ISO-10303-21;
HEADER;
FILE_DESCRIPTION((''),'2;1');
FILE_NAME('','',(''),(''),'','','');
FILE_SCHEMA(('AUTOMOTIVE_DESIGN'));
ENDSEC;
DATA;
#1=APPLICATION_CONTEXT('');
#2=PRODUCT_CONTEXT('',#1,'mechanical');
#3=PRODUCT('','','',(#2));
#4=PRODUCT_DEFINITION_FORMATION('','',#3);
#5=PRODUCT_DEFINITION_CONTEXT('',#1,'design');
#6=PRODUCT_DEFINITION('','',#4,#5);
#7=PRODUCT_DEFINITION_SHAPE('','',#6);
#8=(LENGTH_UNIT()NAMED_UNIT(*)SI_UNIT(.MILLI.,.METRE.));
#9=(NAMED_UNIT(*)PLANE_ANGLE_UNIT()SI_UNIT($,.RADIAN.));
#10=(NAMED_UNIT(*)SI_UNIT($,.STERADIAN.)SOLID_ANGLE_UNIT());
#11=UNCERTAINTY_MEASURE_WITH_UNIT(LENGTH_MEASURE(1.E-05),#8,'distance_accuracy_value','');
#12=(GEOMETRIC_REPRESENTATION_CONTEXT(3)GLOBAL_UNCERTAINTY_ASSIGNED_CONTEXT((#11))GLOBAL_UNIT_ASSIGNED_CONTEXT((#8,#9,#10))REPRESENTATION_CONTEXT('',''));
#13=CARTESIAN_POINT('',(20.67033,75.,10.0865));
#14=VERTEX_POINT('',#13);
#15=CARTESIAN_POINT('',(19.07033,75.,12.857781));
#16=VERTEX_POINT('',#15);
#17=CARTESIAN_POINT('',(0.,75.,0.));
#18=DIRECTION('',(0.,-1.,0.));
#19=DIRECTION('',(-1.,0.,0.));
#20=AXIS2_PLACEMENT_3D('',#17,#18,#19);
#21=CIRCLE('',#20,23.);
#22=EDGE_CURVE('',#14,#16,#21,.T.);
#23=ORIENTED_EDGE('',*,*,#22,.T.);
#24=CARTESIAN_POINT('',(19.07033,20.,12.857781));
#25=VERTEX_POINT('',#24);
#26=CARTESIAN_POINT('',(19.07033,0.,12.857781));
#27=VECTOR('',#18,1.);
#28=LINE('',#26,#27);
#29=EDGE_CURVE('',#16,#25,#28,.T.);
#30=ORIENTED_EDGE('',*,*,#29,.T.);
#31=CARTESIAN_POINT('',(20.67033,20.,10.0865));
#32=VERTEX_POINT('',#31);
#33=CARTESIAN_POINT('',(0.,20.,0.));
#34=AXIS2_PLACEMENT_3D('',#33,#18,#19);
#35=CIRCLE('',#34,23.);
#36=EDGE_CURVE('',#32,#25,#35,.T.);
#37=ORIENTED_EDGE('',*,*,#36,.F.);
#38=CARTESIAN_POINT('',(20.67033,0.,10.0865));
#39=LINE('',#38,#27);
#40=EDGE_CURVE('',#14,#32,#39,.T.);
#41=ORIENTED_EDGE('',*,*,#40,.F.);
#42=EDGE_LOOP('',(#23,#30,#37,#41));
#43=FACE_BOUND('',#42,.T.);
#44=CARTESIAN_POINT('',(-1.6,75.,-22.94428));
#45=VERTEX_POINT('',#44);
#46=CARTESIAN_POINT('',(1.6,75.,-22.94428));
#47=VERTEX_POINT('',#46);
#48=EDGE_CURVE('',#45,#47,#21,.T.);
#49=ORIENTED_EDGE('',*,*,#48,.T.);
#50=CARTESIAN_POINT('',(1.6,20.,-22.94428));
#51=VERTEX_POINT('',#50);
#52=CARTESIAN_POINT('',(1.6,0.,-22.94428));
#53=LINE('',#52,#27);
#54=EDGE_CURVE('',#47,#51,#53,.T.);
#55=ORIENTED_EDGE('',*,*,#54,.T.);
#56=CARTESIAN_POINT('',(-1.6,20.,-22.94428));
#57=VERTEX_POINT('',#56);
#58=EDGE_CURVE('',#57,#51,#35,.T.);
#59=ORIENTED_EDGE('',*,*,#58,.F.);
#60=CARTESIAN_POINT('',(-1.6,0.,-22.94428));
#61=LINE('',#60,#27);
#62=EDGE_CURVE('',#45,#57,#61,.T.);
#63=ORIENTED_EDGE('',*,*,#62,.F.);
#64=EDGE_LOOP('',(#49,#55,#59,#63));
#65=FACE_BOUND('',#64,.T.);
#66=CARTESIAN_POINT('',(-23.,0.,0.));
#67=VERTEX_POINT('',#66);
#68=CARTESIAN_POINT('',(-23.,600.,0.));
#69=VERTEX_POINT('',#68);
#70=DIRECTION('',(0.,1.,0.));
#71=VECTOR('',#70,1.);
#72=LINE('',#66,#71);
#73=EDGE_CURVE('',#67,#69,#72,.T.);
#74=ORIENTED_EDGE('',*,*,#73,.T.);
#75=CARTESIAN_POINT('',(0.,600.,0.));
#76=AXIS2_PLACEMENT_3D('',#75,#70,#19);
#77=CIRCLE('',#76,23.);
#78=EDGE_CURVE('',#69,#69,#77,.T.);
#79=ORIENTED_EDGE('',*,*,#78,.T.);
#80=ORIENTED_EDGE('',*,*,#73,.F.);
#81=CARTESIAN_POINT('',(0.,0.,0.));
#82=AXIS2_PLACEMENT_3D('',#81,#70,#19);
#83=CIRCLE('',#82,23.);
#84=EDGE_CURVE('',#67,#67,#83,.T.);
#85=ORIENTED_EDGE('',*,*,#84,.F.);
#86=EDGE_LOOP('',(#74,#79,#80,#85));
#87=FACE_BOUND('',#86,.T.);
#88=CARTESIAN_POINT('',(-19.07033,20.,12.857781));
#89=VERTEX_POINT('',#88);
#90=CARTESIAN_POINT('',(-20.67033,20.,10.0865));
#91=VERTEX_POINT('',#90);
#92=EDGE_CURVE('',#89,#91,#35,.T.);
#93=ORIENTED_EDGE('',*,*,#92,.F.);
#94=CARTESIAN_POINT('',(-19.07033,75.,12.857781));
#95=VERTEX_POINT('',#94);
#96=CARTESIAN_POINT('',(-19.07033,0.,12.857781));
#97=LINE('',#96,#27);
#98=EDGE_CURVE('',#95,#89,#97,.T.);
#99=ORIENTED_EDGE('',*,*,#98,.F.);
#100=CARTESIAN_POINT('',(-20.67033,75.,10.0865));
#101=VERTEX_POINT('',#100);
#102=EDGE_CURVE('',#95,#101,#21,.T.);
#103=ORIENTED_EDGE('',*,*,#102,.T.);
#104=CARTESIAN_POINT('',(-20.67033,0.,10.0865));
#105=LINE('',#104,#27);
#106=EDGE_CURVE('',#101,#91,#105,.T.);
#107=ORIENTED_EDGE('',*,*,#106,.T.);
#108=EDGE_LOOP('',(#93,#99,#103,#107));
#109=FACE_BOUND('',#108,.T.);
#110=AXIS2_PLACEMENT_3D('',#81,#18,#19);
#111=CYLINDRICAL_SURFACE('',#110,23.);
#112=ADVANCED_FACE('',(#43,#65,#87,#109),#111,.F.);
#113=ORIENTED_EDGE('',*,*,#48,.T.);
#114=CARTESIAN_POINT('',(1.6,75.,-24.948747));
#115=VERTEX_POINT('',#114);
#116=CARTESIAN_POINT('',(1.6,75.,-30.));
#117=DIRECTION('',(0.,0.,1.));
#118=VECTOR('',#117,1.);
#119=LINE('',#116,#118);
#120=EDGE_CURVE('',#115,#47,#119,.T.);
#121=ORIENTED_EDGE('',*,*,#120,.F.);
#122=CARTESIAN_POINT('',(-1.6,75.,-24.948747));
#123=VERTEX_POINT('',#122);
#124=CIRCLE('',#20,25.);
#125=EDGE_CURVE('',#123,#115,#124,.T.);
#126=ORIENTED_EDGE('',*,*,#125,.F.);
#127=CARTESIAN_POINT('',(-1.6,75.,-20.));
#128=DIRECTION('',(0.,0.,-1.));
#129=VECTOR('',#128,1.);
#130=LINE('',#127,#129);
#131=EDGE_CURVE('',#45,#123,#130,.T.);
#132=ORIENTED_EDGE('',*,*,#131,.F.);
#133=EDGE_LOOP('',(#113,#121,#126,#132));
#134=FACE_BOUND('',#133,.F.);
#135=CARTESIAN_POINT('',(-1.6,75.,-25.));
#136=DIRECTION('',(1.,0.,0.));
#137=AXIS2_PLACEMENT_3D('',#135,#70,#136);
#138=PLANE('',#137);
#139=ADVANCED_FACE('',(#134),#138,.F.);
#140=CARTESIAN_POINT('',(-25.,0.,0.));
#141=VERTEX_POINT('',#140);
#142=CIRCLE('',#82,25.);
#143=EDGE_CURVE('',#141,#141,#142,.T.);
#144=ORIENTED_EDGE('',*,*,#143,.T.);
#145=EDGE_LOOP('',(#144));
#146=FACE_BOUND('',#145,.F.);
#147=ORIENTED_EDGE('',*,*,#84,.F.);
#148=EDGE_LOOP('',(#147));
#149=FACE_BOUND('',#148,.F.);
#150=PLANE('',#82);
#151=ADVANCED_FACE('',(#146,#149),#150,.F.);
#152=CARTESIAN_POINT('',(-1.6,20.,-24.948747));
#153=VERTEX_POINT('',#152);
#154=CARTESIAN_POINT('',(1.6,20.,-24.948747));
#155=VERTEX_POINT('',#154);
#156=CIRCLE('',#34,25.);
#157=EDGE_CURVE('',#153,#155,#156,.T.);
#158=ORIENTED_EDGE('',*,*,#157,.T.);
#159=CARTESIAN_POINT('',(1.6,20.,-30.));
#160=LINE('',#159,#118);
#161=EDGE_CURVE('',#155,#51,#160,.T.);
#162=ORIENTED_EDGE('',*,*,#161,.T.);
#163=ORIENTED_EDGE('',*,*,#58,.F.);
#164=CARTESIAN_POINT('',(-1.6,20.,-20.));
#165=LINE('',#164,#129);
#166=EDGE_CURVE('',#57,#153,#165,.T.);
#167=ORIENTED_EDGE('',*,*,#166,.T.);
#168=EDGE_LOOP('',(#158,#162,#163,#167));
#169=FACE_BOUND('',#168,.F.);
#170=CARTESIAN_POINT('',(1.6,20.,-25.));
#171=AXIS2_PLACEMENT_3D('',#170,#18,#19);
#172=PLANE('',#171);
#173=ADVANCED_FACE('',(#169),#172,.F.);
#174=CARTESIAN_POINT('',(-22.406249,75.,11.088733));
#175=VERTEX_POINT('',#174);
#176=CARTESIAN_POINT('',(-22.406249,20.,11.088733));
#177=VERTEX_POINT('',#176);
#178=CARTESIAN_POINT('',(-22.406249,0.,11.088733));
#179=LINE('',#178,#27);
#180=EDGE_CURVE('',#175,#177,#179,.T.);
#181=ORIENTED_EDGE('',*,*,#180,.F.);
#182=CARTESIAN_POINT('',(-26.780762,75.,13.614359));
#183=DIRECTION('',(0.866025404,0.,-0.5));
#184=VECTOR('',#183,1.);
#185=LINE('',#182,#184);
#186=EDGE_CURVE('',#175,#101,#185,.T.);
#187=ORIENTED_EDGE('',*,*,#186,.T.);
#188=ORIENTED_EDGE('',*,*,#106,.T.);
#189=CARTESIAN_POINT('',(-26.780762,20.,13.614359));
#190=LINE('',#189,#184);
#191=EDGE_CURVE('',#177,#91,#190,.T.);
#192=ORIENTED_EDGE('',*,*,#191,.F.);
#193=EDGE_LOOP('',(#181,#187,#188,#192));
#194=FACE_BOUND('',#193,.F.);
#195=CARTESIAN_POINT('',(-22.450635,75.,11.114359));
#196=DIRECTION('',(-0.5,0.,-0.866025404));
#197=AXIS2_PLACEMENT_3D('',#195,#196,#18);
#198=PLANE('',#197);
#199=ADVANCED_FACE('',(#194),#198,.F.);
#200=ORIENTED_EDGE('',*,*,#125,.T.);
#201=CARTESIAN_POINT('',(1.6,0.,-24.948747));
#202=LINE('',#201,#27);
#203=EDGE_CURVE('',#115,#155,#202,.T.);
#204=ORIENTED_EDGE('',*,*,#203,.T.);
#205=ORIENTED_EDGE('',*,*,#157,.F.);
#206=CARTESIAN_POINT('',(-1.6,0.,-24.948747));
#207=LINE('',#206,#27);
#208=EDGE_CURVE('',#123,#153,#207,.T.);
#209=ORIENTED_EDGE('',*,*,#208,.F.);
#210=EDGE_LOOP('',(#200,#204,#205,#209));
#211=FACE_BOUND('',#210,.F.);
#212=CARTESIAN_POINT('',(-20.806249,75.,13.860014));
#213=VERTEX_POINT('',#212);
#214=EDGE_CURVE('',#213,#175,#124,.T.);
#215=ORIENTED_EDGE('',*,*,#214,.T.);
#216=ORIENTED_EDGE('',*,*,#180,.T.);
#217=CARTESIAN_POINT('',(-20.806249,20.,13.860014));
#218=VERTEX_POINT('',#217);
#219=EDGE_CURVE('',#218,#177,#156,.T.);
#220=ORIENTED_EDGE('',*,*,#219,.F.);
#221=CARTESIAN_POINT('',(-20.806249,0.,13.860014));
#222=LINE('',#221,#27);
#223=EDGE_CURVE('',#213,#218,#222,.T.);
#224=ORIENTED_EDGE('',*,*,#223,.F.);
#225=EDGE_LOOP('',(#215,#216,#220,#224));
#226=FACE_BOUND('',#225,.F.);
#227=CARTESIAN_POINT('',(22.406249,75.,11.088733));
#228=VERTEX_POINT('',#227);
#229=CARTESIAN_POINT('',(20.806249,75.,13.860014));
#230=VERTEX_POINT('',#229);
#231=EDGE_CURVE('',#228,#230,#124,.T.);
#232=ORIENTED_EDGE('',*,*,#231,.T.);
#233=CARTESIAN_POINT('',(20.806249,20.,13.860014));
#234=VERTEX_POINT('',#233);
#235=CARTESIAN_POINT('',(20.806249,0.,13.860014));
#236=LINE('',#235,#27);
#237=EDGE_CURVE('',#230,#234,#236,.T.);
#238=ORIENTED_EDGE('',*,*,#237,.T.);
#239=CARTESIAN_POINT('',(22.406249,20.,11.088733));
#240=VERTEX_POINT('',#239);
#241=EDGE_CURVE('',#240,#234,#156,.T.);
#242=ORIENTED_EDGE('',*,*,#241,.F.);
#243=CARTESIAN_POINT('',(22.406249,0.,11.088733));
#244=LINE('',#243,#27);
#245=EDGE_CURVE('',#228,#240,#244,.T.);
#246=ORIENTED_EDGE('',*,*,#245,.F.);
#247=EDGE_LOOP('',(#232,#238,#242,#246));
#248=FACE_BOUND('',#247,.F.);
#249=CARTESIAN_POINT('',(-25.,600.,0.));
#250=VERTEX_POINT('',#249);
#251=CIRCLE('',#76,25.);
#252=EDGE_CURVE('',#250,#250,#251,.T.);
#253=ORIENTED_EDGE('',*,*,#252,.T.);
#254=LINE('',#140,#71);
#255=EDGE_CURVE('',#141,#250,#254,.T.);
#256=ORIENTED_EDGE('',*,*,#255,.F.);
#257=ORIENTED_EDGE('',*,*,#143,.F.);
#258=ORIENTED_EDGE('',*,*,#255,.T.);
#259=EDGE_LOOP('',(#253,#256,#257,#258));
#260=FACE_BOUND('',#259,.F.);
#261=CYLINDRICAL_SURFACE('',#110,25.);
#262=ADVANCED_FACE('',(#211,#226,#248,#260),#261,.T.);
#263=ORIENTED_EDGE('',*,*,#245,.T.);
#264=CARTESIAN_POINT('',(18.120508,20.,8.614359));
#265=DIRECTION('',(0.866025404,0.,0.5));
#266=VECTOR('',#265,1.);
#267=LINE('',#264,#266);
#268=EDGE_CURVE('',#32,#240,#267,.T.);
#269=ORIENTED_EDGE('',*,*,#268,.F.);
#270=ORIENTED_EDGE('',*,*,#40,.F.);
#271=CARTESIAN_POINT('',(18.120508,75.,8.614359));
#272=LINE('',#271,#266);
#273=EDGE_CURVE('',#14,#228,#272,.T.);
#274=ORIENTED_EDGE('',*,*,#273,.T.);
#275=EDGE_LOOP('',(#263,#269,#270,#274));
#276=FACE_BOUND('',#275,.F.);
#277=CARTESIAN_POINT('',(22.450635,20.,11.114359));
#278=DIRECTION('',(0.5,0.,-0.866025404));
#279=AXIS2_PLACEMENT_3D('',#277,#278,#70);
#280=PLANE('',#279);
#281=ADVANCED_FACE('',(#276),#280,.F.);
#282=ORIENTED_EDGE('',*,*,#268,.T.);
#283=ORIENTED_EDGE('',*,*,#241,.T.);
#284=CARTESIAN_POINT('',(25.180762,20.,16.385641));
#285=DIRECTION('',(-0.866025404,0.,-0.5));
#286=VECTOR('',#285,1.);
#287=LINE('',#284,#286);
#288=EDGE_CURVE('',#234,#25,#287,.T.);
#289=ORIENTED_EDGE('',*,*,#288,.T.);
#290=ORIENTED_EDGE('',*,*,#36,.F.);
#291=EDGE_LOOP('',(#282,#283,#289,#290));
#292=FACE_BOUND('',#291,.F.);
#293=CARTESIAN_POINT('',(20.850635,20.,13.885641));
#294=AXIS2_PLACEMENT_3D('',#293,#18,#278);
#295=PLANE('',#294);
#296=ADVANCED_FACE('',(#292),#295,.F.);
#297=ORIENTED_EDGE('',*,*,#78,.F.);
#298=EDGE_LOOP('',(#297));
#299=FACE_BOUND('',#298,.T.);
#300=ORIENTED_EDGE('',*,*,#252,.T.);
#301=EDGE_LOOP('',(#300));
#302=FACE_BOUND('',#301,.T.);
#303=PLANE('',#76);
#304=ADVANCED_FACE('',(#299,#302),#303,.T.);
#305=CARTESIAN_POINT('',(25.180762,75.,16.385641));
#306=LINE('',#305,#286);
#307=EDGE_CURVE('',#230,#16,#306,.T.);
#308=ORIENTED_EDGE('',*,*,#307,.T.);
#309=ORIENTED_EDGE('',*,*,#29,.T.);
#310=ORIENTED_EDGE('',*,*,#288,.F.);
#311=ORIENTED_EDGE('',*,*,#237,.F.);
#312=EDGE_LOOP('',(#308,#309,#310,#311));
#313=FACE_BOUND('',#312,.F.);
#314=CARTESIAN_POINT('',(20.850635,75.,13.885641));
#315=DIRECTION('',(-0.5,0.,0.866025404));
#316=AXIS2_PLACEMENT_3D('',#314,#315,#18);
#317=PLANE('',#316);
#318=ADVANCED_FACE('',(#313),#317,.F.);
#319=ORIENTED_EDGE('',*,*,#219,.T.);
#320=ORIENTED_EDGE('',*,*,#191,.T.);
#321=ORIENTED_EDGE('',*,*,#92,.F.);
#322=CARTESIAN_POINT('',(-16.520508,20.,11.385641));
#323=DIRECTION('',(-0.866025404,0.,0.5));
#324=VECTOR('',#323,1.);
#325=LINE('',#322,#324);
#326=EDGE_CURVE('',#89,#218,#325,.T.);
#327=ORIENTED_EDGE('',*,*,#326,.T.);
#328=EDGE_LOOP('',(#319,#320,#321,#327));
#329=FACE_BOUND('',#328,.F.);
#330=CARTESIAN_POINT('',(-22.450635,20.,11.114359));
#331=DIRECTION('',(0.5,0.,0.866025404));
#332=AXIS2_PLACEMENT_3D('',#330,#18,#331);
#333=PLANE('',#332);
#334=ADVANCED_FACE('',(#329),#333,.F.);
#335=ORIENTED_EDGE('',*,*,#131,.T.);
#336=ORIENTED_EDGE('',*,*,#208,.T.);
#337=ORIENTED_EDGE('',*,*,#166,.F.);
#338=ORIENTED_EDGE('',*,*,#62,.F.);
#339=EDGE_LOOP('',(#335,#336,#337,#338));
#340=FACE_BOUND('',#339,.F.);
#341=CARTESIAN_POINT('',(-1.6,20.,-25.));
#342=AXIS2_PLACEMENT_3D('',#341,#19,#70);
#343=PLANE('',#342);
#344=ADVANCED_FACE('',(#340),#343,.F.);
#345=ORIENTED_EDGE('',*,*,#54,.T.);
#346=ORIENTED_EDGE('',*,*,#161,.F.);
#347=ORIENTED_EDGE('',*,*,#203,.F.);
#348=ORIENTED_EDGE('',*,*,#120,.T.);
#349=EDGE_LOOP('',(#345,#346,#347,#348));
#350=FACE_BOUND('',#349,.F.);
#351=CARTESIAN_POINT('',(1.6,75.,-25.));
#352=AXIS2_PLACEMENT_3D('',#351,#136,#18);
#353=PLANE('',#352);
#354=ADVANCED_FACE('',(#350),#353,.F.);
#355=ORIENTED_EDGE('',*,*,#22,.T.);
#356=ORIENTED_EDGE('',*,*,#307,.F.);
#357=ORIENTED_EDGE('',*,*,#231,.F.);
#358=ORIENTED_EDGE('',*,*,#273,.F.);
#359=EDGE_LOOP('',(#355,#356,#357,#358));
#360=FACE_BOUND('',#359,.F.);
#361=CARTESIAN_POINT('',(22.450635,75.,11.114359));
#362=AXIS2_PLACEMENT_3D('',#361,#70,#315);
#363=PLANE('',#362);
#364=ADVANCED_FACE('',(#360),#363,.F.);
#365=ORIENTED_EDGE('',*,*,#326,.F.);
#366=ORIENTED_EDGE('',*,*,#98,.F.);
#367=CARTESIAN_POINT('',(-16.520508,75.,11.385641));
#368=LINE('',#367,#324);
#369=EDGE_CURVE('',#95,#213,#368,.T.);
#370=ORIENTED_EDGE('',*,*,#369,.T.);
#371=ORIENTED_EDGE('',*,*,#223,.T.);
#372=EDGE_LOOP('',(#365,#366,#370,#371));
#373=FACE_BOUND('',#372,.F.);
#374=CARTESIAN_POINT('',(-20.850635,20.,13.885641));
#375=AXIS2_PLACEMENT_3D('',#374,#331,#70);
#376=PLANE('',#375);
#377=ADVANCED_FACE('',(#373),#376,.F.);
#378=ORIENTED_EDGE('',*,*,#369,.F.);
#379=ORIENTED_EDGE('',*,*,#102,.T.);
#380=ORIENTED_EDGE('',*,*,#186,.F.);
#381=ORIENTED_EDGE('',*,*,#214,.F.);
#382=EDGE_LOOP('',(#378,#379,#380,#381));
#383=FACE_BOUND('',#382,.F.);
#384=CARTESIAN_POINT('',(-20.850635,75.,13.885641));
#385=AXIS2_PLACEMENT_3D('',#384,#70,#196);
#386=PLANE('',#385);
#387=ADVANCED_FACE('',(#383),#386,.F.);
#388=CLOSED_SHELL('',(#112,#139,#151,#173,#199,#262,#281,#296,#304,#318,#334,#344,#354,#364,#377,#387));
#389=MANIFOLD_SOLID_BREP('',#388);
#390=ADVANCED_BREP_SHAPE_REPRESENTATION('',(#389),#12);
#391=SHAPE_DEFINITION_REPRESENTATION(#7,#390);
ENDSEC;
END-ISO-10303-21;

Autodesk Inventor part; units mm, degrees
ref_plane "YZ Plane" through (0, 0, 0) normal (1, 0, 0) x (0, 1, 0)
ref_plane "XZ Plane" through (0, 0, 0) normal (0, 1, 0) x (-1, 0, 0)
sketch "Sketch2" plane through (0, 0, 0) normal (0, 1, 0) x (-1, 0, 0)
  circle A0 centre (0, 0) radius 25
  circle A1 centre (0, 0) radius 23
  dimension "d0" = 50
  dimension "d1" = 46
extrude "Extrusion1" add sketch "Sketch2" along normal blind 600
ref_plane "Work Plane1" through (0, 0, -25) normal (0, 0, 1) x (1, 0, 0)
sketch "Sketch3" plane through (0, 0, -25) normal (0, 0, 1) x (1, 0, 0)
  line L0 (-25, 0) -> (-25, 600) projected
  line L1 (25, 0) -> (-25, 0) projected
  line L2 (1.6, 20) -> (-1.6, 20)
  line L3 (-1.6, 20) -> (-1.6, 75)
  line L4 (-1.6, 75) -> (1.6, 75)
  line L5 (1.6, 75) -> (1.6, 20)
  point P0 (0, 0)
  point P1 (0, 75)
  dimension "d4" = 600
  dimension "d5" = 50
  dimension "d6" = 3.2
  dimension "d7" = 55
  dimension "d8" = 20
  dimension "d9" = 25
extrude "Extrusion2" cut sketch "Sketch3" along normal mid plane 10
sketch "Sketch4" plane through (0, 0, 0) normal (0, 1, 0) x (-1, 0, 0)
  circle A0 centre (0, 0) radius 25 projected
  line L0 (0, -25) -> (-21.65, 12.4989) construction
  line L1 (-21.65, 12.4989) -> (21.65, 12.4989) construction
  line L2 (21.65, 12.4989) -> (0, -25) construction
  line L3 (-17.6606, 19.4109) -> (-26.5815, 3.9594) construction
  line L4 (20.7261, 14.1013) -> (22.5717, 10.9047) construction
  dimension "d12" = 43.3
  dimension "d13" = 43.3
  dimension "d14" = 43.3
pattern_circular "Circular Pattern1" count 3 over 360 about axis through (0, 0, 0) along (0, 1, 0) of "Extrusion2"
ref_plane "Work Plane14" through (0, 230, 0) normal (0, -1, 0) x (1, 0, 0)
split_face "Split7"
equation "\"d12\" = d14"
equation "\"d14\" = d13"
